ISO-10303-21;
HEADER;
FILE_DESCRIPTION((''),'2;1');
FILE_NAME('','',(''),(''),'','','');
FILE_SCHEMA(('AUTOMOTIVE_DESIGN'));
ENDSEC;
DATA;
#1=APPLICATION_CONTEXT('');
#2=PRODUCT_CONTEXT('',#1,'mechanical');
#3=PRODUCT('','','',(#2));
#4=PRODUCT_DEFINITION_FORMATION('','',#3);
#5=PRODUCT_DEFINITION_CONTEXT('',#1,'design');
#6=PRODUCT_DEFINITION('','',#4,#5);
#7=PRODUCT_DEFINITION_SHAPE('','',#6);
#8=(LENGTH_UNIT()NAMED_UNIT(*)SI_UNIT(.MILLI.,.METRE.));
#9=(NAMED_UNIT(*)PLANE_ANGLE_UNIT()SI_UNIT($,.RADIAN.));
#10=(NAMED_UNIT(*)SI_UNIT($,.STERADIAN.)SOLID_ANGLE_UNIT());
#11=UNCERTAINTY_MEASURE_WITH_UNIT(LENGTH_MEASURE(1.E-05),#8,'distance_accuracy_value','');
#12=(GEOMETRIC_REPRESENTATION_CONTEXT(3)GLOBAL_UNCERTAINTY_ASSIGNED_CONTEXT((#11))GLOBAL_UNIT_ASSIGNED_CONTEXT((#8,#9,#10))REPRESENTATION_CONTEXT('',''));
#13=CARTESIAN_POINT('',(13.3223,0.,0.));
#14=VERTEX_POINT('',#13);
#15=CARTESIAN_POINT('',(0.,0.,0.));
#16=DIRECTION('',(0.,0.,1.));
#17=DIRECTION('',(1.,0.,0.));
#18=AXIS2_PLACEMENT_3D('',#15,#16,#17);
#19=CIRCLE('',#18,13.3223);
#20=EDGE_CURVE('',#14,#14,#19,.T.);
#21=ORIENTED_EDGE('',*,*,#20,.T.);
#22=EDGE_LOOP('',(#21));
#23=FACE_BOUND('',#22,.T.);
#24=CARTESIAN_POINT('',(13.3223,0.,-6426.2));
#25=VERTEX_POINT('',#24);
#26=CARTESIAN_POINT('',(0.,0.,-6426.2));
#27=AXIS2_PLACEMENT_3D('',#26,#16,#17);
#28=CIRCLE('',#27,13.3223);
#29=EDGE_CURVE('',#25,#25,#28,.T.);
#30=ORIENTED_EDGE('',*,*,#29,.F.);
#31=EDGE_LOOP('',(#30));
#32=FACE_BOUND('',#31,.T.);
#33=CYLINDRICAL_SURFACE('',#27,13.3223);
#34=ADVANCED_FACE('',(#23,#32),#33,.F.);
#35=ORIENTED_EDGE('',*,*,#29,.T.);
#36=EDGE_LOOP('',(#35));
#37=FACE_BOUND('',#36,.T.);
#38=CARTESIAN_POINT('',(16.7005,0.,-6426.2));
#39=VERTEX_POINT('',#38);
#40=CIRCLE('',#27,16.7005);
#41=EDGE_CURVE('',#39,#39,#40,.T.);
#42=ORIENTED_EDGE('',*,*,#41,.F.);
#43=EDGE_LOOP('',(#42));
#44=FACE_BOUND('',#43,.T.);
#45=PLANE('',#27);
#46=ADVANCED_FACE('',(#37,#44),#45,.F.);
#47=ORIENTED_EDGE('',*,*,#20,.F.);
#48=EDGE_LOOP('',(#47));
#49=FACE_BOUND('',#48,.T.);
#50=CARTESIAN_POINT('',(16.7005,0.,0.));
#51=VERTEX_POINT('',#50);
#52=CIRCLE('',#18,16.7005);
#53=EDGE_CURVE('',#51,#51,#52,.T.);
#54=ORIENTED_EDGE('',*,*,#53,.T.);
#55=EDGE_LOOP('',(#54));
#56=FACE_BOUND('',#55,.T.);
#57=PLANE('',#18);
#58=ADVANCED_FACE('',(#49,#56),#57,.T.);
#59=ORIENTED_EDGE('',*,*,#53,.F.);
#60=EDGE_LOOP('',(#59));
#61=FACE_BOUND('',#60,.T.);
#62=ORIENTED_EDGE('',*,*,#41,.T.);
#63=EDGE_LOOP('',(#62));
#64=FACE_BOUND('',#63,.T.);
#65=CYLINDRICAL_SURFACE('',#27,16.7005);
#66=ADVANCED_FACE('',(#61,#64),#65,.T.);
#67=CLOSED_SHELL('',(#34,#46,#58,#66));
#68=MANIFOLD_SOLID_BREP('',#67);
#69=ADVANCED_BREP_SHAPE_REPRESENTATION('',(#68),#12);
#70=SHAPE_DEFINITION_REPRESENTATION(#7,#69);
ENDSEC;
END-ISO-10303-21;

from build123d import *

# Parameters (mm, degrees)
SKETCH1_R           = 16.7005
SKETCH1_R_2         = 13.3223
BOSS_EXTRUDE1_DEPTH = 6426.2


with BuildPart() as part:
    # Sketch1 → Boss-Extrude1 (new body)
    with BuildSketch(Plane.XY):
        Circle(SKETCH1_R)
        Circle(SKETCH1_R_2, mode=Mode.SUBTRACT)
    extrude(amount=-BOSS_EXTRUDE1_DEPTH)


solid = part.part
